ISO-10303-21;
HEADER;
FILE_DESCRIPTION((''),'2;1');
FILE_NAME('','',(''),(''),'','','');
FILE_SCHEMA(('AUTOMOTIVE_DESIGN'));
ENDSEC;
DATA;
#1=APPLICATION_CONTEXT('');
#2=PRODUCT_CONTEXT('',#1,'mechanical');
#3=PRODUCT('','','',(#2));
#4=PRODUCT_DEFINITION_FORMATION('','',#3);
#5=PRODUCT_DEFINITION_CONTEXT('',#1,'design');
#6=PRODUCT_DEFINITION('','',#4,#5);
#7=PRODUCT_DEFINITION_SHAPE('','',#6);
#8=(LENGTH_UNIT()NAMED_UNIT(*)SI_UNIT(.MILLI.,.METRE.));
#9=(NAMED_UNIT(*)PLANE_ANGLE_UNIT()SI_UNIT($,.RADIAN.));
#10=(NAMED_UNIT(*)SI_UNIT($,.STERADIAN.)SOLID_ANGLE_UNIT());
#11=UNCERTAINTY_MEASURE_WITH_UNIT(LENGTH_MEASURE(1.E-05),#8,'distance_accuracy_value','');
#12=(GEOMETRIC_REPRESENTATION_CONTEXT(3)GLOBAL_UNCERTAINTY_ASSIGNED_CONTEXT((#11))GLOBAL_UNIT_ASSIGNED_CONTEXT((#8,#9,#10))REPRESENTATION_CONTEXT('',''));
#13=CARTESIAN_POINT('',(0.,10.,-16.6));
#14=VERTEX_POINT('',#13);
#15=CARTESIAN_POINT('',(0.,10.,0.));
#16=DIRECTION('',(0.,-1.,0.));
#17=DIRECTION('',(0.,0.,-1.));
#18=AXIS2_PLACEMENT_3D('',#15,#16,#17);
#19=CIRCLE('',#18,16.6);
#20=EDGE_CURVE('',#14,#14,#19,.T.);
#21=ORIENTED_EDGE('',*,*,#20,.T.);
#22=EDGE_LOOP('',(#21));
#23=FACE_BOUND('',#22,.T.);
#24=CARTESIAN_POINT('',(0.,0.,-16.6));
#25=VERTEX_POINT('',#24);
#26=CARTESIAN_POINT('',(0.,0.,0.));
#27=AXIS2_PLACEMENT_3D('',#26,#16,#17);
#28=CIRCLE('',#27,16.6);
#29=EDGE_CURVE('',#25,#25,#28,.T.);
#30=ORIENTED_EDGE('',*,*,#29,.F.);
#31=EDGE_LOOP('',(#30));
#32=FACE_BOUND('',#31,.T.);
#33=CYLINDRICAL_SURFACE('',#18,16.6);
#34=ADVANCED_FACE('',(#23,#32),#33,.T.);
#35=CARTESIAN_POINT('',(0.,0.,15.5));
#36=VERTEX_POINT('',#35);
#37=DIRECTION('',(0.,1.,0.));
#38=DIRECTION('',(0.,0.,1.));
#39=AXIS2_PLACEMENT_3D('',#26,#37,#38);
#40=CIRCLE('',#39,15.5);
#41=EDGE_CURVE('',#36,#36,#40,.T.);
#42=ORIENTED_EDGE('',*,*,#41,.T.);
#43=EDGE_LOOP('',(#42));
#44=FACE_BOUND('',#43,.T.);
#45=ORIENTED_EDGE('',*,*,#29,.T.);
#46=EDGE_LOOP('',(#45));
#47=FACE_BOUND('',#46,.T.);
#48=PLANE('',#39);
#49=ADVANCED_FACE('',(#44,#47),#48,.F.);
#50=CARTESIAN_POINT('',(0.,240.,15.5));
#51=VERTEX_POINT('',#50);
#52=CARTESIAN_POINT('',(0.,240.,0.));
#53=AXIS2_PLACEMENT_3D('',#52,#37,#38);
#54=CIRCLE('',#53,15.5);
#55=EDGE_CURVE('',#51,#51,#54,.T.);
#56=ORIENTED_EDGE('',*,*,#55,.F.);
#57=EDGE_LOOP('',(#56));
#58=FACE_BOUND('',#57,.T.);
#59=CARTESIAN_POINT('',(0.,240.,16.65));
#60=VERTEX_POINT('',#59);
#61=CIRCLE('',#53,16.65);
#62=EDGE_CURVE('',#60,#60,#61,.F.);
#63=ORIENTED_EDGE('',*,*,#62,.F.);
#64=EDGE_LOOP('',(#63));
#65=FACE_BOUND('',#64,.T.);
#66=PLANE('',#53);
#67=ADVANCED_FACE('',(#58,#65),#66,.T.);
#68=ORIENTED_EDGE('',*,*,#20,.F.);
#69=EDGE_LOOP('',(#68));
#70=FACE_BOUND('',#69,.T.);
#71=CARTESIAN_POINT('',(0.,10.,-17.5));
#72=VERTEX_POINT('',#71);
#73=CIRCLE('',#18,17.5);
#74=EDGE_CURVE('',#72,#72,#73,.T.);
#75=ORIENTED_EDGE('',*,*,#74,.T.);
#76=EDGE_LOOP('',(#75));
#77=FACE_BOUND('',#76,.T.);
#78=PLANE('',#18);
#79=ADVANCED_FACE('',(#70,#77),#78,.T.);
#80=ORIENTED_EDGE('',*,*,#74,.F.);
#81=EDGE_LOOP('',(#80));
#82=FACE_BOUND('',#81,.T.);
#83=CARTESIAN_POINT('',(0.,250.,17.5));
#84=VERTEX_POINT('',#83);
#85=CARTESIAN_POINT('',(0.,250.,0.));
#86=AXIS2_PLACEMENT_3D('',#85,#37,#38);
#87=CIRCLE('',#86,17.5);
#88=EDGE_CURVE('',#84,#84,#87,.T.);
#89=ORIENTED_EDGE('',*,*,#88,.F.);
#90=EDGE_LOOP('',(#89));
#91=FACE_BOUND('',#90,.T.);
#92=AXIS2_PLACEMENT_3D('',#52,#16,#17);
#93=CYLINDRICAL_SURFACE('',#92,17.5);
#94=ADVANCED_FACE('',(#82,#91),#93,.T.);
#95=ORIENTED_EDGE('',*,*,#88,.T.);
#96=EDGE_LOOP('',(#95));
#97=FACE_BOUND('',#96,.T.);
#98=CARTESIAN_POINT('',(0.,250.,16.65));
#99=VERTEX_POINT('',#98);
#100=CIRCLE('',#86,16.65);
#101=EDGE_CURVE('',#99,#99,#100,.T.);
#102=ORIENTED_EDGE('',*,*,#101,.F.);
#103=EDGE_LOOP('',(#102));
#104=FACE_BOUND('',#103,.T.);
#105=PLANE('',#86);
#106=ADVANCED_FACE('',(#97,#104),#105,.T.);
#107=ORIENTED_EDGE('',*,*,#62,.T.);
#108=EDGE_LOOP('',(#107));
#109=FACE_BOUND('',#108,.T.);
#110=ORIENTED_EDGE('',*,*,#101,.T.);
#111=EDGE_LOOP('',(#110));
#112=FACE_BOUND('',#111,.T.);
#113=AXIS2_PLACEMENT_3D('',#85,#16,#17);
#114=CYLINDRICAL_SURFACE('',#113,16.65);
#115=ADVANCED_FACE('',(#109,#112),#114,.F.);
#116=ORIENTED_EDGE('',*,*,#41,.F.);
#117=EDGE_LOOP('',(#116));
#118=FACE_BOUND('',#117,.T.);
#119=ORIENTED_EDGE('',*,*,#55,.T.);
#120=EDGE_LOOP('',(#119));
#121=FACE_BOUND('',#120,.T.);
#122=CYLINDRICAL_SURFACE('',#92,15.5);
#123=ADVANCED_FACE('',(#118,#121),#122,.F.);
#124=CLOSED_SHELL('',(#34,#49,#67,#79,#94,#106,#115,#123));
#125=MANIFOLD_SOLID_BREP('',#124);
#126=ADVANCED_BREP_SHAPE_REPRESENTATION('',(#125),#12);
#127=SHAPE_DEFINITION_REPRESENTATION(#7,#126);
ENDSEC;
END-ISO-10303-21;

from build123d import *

# Parameters (mm, degrees)
SKETCH1_R           = 17.5
SKETCH1_R_2         = 15.5
BOSS_EXTRUDE1_DEPTH = 240
SKETCH2_R           = 17.5
SKETCH2_R_2         = 16.65
BOSS_EXTRUDE2_DEPTH = 10
SKETCH3_R           = 17.5
SKETCH3_R_2         = 16.6
CUT_EXTRUDE1_DEPTH  = 10


with BuildPart() as part:
    # Sketch1 → Boss-Extrude1 (new body)
    with BuildSketch(Plane(origin=(0, 0, 0), x_dir=(1, 0, 0), z_dir=(0, 1, 0))):
        with Locations(Location((0, 0, 0), (0, 0, 270))):
            Circle(SKETCH1_R)
        with Locations(Location((0, 0, 0), (0, 0, 270))):
            Circle(SKETCH1_R_2, mode=Mode.SUBTRACT)
    extrude(amount=BOSS_EXTRUDE1_DEPTH)

    # Sketch2 → Boss-Extrude2 (add)
    with BuildSketch(Plane(origin=(0, 240, 0), x_dir=(1, 0, 0), z_dir=(0, 1, 0))):
        with Locations(Location((0, 0, 0), (0, 0, 270))):
            Circle(SKETCH2_R)
        with Locations(Location((0, 0, 0), (0, 0, 270))):
            Circle(SKETCH2_R_2, mode=Mode.SUBTRACT)
    extrude(amount=BOSS_EXTRUDE2_DEPTH)

    # Sketch3 → Cut-Extrude1 (cut)
    with BuildSketch(Plane.XZ):
        with Locations(Location((0, 0, 0), (0, 0, 270))):
            Circle(SKETCH3_R)
        with Locations(Location((0, 0, 0), (0, 0, 270))):
            Circle(SKETCH3_R_2, mode=Mode.SUBTRACT)
    extrude(amount=-CUT_EXTRUDE1_DEPTH, mode=Mode.SUBTRACT)


solid = part.part
